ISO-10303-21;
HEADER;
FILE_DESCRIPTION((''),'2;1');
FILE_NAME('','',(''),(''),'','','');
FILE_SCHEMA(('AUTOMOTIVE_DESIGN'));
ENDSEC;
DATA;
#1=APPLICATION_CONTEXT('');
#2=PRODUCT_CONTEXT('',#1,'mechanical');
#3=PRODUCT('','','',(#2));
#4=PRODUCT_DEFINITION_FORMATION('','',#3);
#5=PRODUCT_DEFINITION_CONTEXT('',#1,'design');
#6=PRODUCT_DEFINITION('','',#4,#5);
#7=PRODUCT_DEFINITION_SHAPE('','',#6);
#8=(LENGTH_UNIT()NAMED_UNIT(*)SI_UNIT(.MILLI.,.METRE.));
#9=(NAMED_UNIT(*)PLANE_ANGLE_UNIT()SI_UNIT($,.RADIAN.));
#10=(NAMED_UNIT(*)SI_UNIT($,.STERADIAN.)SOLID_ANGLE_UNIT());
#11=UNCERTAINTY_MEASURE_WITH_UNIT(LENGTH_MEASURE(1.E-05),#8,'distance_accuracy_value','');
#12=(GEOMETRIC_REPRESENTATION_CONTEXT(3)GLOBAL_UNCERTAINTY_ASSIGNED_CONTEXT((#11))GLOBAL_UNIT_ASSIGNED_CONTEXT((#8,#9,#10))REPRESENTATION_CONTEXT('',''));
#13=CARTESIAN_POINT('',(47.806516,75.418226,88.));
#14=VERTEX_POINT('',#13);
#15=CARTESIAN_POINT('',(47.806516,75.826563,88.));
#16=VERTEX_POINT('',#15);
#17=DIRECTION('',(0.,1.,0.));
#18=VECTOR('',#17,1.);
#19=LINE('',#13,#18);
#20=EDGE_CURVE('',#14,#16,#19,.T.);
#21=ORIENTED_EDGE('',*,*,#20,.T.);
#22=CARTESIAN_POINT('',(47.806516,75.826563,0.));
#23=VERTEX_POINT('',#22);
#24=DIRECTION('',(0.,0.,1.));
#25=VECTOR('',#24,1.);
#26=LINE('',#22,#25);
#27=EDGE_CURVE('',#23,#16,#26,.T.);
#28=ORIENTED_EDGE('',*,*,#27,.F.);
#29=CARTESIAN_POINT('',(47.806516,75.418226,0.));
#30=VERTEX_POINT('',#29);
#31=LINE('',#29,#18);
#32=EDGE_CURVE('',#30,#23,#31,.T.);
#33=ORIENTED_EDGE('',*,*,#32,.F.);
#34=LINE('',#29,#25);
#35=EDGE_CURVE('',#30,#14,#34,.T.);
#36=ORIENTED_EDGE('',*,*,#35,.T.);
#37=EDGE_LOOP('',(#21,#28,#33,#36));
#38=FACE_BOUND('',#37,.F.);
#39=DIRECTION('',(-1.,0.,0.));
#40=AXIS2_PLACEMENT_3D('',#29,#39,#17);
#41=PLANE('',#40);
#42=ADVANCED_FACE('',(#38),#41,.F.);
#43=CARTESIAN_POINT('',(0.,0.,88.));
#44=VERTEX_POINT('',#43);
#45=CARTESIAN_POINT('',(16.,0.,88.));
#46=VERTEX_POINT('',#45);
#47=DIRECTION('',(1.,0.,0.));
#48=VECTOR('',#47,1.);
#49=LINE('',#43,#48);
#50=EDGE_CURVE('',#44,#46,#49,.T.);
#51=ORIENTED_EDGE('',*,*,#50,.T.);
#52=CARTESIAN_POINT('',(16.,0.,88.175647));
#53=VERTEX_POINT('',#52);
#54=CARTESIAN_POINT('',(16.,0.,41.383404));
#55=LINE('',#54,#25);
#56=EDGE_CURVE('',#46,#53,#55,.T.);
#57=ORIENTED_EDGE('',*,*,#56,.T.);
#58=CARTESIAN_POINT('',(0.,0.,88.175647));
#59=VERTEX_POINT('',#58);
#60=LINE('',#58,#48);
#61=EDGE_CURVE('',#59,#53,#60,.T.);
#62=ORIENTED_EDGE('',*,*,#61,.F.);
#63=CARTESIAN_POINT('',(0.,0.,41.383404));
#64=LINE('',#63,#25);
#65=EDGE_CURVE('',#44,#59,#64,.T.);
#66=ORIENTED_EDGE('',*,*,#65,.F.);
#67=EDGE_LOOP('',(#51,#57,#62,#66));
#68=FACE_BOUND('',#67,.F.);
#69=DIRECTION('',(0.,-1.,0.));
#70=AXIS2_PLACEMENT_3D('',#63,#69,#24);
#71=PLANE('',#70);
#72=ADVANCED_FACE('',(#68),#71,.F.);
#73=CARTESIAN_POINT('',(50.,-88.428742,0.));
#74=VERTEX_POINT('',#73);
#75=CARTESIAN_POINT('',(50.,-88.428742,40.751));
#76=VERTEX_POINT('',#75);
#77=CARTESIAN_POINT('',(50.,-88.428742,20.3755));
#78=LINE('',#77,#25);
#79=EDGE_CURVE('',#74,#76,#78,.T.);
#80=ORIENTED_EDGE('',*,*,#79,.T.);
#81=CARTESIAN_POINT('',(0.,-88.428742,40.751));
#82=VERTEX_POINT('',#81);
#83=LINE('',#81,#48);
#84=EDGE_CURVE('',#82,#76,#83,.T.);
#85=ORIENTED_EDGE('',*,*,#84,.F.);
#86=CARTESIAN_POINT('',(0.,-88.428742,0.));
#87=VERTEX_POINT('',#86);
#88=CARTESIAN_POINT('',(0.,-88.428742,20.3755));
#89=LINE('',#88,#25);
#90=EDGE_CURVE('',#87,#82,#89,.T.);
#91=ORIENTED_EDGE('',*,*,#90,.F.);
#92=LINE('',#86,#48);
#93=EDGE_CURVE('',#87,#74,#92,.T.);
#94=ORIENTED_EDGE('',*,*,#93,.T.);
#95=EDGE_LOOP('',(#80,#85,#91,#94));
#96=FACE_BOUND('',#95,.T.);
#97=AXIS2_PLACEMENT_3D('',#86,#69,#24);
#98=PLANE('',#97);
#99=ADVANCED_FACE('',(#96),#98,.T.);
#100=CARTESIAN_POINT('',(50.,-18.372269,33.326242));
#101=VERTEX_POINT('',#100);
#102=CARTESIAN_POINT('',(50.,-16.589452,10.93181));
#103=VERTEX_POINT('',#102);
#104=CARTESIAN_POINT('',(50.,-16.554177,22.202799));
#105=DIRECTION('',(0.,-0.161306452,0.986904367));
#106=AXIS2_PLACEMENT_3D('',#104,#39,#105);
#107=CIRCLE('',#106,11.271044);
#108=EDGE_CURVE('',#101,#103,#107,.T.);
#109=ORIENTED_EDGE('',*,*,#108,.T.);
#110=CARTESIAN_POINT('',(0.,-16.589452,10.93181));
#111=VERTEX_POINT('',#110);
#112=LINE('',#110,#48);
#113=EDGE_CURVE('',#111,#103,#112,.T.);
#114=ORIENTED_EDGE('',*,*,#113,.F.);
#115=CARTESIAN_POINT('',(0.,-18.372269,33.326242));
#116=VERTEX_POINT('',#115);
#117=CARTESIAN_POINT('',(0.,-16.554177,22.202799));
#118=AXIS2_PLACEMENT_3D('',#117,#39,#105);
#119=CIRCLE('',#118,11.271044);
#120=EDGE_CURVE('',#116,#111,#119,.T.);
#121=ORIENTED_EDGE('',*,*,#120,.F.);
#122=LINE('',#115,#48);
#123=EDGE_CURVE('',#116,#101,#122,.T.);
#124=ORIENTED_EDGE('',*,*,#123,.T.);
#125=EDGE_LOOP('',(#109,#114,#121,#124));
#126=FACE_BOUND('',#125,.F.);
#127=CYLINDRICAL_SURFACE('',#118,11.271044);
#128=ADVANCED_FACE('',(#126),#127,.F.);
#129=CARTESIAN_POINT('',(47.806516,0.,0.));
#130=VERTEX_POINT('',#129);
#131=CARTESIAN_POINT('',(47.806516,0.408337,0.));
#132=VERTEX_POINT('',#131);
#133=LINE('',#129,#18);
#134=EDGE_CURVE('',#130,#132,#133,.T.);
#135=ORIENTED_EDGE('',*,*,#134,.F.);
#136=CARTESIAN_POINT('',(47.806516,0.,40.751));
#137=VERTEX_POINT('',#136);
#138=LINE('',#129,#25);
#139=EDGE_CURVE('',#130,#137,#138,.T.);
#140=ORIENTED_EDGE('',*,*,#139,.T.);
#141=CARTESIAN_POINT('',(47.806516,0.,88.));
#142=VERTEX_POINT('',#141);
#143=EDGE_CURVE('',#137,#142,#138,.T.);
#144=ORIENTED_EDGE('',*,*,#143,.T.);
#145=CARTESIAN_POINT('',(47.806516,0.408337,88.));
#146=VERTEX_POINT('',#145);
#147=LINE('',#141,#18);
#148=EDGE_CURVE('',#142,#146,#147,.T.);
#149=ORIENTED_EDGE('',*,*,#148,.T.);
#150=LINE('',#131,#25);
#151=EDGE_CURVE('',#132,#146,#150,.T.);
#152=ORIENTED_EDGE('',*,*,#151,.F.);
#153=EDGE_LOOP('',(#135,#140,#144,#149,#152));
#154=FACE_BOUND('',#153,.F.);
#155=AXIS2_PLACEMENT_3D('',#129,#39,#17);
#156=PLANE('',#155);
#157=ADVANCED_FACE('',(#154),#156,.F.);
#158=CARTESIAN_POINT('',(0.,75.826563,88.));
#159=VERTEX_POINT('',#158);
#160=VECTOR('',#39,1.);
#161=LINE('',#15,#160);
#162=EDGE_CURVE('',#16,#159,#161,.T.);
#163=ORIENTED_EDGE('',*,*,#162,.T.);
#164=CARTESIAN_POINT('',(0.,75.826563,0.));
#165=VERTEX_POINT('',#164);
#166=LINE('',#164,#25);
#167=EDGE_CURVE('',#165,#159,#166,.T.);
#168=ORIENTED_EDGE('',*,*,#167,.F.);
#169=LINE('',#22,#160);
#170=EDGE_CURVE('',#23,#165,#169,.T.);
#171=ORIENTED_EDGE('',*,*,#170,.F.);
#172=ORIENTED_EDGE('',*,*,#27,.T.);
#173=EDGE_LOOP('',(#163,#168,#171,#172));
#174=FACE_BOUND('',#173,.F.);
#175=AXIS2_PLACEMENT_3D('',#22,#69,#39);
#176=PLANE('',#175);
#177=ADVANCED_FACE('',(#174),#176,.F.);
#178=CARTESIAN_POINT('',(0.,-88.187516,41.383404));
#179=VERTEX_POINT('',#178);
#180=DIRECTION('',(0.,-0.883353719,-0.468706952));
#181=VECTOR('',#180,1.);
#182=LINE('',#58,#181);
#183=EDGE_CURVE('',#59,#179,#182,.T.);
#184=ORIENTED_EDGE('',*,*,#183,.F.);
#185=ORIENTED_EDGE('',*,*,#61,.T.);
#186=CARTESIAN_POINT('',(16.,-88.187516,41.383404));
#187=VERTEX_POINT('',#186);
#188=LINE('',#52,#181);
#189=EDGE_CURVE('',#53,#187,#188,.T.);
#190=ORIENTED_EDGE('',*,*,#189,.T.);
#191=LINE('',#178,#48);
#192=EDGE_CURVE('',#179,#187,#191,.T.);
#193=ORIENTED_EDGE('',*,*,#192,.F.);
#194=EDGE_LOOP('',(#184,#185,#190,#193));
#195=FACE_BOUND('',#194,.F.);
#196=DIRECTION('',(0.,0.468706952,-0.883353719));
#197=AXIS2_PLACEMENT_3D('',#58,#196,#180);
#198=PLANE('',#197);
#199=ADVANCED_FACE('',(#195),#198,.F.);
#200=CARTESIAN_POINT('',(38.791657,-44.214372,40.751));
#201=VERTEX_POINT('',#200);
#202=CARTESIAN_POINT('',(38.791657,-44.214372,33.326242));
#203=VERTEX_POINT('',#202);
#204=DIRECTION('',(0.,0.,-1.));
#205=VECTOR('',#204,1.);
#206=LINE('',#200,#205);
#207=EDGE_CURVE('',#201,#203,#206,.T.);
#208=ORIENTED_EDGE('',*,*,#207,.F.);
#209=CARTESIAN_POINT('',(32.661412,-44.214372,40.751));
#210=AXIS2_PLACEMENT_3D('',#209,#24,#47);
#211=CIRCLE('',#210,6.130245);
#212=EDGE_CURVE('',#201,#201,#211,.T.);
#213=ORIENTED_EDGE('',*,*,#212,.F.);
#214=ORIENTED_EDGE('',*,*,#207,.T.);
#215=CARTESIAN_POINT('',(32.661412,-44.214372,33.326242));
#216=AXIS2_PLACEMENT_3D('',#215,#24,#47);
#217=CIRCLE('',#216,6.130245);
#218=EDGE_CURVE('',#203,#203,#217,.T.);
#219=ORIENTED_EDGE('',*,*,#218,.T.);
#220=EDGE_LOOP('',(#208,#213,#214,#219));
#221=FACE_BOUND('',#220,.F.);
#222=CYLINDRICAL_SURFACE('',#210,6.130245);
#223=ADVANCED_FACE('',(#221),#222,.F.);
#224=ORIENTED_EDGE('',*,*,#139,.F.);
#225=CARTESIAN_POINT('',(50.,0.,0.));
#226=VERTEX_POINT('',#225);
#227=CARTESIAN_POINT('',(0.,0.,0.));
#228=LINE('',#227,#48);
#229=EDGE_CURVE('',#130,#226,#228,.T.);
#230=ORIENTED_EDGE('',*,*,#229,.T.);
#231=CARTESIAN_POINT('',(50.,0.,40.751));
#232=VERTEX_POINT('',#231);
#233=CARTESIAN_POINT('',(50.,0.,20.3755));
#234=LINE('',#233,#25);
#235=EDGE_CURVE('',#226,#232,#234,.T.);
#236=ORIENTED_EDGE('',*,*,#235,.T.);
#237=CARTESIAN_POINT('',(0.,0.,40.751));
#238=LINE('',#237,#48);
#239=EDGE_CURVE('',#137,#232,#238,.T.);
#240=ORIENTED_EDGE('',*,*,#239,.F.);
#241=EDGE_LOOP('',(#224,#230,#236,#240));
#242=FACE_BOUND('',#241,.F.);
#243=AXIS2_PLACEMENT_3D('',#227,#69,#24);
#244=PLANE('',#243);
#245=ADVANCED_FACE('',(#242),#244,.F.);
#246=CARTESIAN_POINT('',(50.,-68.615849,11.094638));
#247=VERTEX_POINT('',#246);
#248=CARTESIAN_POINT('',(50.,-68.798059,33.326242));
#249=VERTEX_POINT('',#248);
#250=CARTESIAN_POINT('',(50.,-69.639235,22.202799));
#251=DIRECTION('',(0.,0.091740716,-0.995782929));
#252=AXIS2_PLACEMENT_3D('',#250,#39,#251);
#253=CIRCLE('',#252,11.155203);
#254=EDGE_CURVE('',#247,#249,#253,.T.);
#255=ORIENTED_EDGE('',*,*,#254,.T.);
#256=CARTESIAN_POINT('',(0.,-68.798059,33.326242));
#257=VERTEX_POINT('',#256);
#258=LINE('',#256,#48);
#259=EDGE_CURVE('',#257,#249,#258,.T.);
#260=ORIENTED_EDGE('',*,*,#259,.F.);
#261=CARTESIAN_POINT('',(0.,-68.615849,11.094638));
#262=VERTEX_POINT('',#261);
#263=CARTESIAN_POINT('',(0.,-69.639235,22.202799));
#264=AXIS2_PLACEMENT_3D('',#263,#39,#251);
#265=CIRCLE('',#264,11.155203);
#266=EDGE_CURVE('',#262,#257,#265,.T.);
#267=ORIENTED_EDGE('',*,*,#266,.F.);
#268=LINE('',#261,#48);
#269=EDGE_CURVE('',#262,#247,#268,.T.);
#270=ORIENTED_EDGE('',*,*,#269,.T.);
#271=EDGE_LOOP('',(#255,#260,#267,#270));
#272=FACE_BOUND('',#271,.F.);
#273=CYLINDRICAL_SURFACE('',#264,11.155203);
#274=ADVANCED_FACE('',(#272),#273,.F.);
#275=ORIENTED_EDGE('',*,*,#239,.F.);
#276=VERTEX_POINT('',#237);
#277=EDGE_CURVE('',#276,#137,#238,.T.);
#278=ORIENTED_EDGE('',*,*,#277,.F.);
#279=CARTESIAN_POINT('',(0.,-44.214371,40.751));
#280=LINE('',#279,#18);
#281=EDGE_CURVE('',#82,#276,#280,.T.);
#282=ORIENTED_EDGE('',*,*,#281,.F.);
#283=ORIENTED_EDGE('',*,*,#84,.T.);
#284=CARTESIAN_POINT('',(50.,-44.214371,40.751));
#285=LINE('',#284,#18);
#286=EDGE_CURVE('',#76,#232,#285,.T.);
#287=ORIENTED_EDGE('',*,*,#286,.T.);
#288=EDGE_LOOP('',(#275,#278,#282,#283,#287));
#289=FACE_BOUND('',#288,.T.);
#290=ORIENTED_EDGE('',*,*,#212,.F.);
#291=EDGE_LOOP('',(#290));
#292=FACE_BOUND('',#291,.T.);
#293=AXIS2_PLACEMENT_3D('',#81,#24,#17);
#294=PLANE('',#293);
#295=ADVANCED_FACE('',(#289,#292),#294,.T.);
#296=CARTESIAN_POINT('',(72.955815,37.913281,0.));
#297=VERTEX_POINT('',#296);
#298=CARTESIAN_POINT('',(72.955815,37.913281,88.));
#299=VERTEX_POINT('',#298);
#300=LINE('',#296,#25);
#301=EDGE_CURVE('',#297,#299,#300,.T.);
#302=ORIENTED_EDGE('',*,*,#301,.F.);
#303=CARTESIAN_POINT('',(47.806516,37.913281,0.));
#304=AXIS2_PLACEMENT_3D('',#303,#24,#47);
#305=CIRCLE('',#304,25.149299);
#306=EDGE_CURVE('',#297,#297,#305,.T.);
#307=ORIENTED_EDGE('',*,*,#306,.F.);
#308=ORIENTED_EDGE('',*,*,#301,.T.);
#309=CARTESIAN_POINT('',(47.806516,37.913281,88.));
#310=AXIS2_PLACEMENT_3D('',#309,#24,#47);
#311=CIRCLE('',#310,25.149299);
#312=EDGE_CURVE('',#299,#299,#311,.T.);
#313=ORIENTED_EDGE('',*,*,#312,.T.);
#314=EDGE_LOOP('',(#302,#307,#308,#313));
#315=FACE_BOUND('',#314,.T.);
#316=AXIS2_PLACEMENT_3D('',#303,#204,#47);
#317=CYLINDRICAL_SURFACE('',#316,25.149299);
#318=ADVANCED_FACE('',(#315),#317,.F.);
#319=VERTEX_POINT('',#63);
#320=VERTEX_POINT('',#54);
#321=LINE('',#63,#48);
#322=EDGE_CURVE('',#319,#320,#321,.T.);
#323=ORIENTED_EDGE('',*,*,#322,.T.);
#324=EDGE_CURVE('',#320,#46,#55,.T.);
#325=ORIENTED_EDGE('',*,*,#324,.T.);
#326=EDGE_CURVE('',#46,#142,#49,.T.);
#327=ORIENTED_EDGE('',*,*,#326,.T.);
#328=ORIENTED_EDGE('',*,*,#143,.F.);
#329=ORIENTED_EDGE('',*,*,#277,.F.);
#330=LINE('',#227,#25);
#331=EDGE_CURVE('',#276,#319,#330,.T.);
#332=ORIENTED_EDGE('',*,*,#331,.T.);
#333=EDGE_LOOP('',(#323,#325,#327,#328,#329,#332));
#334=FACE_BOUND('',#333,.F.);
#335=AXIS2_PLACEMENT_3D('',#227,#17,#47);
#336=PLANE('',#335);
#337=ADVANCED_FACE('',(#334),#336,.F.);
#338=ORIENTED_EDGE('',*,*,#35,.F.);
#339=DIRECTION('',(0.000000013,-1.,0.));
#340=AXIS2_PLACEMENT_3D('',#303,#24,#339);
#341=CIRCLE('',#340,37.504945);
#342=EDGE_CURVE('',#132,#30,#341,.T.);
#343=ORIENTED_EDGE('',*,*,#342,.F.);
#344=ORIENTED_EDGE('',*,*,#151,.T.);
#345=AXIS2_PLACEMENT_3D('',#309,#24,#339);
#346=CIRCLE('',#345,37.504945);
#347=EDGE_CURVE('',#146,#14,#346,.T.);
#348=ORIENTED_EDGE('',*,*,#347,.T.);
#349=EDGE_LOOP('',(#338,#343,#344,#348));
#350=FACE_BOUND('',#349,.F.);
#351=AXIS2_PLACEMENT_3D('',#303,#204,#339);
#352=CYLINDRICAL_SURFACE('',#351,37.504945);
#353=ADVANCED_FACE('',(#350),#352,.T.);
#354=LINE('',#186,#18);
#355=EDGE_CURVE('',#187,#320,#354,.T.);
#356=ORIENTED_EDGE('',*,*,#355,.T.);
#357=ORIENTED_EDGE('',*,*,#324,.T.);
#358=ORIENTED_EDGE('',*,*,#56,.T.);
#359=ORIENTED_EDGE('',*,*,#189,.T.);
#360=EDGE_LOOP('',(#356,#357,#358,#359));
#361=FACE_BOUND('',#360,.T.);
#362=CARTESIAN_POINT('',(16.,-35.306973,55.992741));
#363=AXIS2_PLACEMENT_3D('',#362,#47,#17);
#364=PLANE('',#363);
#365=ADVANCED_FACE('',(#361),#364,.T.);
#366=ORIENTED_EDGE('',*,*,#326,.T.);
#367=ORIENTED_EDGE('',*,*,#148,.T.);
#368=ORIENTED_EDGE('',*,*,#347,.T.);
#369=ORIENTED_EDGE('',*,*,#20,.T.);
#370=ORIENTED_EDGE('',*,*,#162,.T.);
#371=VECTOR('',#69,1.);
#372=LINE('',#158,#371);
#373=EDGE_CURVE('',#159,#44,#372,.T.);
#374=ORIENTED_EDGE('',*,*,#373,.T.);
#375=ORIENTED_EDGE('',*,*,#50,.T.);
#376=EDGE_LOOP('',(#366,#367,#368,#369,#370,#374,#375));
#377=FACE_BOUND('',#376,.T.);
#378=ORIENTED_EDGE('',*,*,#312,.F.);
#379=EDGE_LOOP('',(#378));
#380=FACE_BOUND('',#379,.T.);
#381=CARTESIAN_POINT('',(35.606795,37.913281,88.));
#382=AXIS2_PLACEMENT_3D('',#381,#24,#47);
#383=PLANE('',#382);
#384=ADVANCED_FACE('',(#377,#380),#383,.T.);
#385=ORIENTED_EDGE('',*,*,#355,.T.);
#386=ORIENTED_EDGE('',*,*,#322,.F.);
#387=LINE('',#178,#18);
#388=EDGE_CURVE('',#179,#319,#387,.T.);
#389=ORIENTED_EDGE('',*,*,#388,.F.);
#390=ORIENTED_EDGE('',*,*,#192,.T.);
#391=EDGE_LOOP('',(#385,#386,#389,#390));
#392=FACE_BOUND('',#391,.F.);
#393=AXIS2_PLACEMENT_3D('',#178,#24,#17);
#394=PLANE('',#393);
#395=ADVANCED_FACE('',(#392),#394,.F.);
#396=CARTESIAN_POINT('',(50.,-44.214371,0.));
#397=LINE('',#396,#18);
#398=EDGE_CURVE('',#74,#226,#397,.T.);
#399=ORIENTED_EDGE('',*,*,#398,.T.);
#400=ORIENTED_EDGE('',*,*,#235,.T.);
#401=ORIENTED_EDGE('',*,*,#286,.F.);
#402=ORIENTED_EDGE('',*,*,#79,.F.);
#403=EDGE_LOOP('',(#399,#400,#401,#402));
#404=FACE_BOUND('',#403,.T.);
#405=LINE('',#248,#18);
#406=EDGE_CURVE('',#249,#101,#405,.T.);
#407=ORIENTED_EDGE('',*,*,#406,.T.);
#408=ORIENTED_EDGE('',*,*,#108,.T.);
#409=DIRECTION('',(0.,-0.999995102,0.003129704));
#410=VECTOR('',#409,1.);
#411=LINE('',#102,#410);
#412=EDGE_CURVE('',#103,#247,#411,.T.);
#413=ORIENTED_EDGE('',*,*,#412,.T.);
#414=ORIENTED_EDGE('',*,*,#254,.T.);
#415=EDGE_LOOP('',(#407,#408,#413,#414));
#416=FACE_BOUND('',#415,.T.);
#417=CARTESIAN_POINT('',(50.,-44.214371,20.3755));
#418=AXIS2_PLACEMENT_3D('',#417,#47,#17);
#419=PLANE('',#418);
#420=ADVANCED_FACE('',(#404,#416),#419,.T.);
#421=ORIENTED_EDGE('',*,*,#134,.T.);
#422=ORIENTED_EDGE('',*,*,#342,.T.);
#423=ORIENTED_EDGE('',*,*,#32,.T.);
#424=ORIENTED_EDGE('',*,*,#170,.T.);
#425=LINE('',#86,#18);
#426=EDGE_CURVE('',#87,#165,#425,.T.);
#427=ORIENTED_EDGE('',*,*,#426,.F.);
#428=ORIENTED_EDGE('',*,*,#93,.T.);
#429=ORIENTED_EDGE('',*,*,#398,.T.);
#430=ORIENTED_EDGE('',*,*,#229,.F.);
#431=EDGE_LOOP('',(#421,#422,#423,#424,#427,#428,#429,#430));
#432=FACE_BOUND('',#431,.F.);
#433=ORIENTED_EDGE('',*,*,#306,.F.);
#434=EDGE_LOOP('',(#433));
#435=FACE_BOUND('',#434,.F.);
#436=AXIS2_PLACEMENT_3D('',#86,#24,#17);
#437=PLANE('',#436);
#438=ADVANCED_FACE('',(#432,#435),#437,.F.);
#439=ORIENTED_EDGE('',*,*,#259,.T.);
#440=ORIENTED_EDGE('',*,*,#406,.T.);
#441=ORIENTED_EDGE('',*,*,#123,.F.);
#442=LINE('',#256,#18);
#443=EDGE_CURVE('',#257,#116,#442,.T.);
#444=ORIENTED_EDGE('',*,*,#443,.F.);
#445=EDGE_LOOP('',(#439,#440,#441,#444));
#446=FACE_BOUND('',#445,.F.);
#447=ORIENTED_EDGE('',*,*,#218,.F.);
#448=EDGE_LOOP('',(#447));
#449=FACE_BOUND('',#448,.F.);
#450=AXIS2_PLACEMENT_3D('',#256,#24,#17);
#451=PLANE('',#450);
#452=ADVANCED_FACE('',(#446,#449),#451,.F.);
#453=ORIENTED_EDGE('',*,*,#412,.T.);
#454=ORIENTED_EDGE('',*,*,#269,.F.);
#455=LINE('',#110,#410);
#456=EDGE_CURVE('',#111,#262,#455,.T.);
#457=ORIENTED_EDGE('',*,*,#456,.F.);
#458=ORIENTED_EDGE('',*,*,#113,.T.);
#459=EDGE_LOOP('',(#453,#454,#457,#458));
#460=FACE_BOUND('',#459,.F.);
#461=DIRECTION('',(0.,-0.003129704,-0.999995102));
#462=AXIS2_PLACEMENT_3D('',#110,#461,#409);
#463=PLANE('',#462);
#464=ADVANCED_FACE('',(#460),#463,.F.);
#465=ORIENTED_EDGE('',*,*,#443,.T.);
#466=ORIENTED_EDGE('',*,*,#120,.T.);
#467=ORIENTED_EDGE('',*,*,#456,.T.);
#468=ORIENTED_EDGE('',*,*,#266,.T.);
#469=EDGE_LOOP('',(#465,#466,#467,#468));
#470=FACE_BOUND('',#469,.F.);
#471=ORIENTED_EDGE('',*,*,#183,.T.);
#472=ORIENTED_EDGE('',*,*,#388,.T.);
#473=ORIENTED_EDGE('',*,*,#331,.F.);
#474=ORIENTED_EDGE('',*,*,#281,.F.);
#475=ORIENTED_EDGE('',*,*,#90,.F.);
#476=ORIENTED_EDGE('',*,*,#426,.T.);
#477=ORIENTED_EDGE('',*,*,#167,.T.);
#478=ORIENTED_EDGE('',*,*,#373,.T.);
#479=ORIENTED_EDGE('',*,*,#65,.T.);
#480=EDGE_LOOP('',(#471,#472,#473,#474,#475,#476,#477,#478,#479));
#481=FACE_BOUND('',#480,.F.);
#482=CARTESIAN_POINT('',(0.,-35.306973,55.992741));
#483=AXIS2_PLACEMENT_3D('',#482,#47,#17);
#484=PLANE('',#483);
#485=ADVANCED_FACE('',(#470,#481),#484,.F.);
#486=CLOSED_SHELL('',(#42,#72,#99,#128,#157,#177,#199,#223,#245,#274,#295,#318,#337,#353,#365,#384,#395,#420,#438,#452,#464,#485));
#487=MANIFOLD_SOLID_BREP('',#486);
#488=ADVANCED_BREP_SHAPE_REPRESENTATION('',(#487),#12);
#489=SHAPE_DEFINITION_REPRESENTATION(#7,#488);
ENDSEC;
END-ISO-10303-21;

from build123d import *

# Parameters (mm, degrees)
F0_R     = 25.149299
F1_DEPTH = 88
F2_W     = 88.428743
F2_H     = 40.751
F3_DEPTH = 50
F5_DEPTH = 16
F6_R     = 6.130245
F7_DEPTH = 7.424758


with BuildPart() as f1:
    # F0 (on Top) → F1 (new body)
    with BuildSketch(Plane.XY):
        with BuildLine():
            Line((0, 75.826563), (0, 0))
            Line((0, 0), (47.806516, 0))
            Line((47.806516, 0), (47.806516, 0.408337))
            ThreePointArc((47.806516, 0.408337), (85.31146, 37.913281), (47.806516, 75.418226))
            Line((47.806516, 75.418226), (47.806516, 75.826563))
            Line((47.806516, 75.826563), (0, 75.826563))
        make_face()
        with Locations((47.806516, 37.913281)):
            Circle(F0_R, mode=Mode.SUBTRACT)
    extrude(amount=F1_DEPTH)

    # F2 (on Right) → F3 (join)
    with BuildSketch(Plane.YZ):
        with Locations((-44.214371, 20.3755)):
            Rectangle(F2_W, F2_H)
        with BuildLine():
            ThreePointArc((-18.372269, 33.326242), (-5.31868, 23.097255), (-16.589452, 10.93181))
            Line((-16.589452, 10.93181), (-68.615849, 11.094638))
            ThreePointArc((-68.615849, 11.094638), (-80.794064, 22.111374), (-68.798059, 33.326242))
            Line((-68.798059, 33.326242), (-18.372269, 33.326242))
        make_face(mode=Mode.SUBTRACT)
    extrude(amount=F3_DEPTH)

    # F4 (on Right) → F5 (join)
    with BuildSketch(Plane.YZ):
        Polygon((-88.187516, 41.383404), (0, 41.383404), (0, 88.175647), align=None)
    extrude(amount=F5_DEPTH)

    # F6 (on face) → F7 (cut, through all)
    with BuildSketch(Plane.XY.offset(40.751)):
        with Locations((32.661412, -44.214372)):
            Circle(F6_R)
    extrude(amount=-F7_DEPTH, mode=Mode.SUBTRACT)


solid = f1.part
